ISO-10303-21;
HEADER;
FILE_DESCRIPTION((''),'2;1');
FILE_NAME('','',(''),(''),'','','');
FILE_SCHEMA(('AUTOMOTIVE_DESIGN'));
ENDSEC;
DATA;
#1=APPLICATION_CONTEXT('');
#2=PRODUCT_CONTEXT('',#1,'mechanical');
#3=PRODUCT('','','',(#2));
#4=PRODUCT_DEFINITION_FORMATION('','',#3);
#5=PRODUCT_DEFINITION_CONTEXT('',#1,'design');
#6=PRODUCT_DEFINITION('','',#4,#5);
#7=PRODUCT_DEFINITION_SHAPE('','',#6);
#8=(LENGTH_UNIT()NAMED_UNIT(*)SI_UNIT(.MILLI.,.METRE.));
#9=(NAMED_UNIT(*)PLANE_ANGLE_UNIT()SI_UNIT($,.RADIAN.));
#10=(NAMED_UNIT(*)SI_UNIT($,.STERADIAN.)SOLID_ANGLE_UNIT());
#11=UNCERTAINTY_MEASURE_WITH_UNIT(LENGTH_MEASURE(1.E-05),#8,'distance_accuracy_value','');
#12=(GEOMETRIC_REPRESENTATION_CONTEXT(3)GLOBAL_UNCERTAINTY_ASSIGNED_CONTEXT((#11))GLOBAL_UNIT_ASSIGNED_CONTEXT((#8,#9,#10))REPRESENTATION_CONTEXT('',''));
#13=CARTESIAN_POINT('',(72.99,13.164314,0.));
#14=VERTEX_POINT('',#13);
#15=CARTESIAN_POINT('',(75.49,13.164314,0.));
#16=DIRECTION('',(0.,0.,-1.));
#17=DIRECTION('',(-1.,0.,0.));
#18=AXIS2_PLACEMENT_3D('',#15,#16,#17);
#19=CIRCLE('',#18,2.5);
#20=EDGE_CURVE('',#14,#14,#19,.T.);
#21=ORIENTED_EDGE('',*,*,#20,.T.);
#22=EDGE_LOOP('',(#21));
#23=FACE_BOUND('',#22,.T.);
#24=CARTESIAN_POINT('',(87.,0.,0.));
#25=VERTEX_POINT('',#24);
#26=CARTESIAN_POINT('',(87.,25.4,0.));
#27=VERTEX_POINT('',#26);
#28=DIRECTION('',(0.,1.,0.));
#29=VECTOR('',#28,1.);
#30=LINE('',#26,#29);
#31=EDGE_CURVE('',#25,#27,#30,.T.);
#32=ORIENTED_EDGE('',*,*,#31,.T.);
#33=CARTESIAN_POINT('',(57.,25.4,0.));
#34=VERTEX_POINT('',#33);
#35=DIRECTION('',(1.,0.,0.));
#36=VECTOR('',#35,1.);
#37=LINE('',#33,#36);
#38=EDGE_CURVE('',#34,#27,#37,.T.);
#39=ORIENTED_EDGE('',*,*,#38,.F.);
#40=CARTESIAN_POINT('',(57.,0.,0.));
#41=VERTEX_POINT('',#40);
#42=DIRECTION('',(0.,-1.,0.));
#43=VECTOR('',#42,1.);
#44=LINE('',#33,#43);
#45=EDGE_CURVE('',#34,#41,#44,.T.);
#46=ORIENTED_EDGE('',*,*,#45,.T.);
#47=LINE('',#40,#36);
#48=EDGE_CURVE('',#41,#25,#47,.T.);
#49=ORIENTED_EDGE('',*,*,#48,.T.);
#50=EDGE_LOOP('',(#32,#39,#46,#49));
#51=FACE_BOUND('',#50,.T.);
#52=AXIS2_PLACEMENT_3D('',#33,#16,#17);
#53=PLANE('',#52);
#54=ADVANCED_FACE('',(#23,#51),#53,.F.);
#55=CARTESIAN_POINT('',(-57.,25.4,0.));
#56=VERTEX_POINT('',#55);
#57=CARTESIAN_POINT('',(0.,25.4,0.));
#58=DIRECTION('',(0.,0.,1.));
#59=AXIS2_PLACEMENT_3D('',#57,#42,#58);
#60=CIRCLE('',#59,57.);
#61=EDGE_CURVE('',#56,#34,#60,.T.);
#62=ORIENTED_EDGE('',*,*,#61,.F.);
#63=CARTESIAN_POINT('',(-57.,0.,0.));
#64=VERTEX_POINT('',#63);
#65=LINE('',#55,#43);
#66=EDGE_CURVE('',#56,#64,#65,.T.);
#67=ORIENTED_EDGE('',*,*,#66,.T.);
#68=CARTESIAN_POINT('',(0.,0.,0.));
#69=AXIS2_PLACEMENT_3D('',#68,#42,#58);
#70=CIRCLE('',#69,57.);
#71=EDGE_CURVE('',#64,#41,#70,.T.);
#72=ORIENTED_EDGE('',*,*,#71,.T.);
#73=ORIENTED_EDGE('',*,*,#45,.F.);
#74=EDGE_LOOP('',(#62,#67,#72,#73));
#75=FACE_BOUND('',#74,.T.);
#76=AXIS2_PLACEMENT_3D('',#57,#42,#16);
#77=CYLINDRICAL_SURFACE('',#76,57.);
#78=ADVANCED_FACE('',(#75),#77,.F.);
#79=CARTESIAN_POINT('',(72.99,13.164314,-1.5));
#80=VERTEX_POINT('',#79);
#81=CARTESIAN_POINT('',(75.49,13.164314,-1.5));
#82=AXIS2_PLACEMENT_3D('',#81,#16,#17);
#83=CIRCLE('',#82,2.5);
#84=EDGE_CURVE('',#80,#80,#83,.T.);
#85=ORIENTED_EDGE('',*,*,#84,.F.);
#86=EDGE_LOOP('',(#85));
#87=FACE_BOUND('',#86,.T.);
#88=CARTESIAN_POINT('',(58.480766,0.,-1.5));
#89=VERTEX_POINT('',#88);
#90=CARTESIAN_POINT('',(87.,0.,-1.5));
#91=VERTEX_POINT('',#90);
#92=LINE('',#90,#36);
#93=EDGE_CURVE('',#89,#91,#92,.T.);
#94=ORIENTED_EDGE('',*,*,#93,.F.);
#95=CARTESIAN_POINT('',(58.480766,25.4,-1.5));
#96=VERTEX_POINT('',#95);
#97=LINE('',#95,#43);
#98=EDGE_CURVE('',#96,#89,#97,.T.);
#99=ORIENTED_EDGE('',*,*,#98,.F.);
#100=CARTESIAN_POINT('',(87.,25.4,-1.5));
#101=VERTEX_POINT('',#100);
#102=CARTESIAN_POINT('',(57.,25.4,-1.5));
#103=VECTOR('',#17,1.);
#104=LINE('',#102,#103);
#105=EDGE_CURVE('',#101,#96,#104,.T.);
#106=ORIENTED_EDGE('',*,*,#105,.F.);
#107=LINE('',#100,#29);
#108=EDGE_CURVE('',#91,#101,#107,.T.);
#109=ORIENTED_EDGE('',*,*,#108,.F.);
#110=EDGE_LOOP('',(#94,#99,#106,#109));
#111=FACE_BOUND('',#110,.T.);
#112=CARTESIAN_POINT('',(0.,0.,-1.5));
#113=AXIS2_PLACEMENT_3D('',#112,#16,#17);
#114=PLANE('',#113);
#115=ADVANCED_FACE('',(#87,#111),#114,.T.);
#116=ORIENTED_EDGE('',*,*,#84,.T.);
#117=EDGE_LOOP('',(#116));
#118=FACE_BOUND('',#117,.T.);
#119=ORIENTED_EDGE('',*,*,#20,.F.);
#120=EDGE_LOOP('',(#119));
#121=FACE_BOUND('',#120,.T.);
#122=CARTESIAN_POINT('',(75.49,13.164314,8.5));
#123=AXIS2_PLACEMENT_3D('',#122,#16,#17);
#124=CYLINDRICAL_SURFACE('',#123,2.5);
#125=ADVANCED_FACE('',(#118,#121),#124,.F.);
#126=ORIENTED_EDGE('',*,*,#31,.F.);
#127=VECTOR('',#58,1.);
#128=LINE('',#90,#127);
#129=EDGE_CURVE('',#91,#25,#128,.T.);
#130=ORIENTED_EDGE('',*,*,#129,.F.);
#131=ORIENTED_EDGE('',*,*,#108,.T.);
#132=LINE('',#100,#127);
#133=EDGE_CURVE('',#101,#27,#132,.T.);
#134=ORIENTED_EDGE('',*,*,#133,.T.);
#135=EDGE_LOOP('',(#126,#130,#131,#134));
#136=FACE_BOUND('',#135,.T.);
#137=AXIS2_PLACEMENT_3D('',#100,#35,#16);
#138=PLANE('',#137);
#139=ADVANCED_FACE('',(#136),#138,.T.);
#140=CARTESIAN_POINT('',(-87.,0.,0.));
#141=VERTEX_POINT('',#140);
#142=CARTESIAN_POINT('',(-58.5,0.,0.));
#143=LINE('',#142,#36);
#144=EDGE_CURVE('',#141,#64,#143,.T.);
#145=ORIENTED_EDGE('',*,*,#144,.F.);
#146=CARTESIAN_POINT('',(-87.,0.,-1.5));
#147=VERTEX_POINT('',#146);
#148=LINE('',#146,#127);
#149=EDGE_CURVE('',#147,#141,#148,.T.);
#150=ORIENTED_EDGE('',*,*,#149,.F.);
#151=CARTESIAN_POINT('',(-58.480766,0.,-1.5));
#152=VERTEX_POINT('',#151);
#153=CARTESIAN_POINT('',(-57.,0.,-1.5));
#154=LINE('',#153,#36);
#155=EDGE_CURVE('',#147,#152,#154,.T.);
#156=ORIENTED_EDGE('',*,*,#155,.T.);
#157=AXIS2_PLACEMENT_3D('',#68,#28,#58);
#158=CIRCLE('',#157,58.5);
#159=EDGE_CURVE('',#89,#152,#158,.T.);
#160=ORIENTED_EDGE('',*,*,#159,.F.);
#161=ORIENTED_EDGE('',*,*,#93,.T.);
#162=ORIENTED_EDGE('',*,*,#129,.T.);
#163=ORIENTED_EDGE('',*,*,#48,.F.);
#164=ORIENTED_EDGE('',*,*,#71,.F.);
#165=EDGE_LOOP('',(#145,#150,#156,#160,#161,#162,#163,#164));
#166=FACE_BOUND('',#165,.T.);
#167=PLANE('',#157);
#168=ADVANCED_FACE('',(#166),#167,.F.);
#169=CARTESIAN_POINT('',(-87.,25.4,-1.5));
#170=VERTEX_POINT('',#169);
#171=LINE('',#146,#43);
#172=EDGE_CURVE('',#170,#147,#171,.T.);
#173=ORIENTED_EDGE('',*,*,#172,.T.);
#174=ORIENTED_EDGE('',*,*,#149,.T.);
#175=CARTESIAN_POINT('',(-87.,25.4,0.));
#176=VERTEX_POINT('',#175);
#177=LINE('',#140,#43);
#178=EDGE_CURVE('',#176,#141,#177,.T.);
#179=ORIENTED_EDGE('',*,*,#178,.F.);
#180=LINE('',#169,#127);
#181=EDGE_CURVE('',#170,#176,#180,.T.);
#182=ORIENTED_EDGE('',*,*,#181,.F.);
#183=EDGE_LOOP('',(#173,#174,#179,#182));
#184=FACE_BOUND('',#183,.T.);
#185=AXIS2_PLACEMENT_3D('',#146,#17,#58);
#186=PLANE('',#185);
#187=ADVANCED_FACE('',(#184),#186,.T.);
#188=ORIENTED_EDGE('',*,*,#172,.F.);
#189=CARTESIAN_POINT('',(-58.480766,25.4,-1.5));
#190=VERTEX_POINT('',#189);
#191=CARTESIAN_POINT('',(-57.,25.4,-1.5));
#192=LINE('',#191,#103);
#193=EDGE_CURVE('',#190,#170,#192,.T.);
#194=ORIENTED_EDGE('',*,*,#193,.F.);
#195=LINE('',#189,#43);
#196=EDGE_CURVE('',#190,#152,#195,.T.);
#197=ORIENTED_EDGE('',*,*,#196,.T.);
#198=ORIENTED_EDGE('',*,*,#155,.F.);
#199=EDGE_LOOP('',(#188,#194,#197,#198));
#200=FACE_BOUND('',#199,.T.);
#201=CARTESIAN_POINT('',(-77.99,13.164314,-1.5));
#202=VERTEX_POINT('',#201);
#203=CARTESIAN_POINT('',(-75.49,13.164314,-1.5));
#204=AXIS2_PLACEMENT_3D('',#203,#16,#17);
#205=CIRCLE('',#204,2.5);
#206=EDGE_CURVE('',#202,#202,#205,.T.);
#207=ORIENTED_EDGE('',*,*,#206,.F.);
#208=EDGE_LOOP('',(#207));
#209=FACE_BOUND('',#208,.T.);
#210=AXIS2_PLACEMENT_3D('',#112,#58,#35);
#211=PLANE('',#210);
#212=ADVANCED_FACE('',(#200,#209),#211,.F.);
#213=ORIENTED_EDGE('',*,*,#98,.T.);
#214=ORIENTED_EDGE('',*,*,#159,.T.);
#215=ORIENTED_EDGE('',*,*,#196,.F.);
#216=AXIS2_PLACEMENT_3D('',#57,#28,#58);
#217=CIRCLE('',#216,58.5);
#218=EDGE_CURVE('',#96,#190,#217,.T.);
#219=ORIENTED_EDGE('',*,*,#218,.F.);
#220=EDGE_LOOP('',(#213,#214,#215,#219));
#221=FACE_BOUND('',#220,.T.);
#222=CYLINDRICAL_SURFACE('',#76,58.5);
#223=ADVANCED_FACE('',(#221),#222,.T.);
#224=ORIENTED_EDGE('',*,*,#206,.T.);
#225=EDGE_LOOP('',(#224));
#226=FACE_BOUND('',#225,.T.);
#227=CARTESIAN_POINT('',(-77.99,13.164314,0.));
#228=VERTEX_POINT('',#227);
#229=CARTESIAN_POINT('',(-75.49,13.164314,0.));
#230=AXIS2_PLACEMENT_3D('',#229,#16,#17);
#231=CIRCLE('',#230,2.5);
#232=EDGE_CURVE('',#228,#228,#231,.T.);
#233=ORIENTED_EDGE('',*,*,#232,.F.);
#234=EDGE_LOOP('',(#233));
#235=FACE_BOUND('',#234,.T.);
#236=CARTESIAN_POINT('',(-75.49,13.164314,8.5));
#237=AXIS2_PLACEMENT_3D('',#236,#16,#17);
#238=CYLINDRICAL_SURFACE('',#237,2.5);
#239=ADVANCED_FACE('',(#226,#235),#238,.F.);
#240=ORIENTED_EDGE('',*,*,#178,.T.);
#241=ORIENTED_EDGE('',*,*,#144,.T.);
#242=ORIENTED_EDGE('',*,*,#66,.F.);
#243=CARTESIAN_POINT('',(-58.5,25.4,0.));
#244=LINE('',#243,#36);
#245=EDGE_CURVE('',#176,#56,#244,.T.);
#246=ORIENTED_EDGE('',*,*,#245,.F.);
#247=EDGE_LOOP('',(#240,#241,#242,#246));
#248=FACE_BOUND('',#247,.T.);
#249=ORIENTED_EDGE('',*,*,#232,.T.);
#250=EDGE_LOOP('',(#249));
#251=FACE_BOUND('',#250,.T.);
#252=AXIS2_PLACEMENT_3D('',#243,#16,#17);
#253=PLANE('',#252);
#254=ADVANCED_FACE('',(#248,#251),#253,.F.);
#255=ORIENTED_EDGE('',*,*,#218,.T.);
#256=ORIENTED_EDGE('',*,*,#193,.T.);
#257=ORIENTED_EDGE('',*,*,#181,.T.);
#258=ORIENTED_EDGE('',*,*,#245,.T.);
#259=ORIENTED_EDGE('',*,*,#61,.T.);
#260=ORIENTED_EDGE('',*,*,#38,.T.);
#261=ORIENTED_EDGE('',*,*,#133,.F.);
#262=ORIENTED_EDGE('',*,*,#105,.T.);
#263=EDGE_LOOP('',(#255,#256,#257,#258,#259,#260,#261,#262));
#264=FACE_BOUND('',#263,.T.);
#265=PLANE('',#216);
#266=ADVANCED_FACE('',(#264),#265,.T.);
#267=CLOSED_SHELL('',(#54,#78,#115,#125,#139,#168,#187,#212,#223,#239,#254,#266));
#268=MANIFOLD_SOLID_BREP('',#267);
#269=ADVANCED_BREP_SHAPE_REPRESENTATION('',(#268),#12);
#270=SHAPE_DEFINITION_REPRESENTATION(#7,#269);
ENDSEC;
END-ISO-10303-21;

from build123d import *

# Parameters (mm, degrees)
SALIENTE_EXTRUIR1_DEPTH = 25.4
CROQUIS2_W              = 30
CROQUIS2_H              = 25.4
SALIENTE_EXTRUIR2_DEPTH = 1.5
CROQUIS4_R              = 2.5
CORTAR_EXTRUIR1_DEPTH   = 10


with BuildPart() as part:
    # Croquis1 → Saliente-Extruir1 (new body)
    with BuildSketch(Plane(origin=(0, 0, 0), x_dir=(1, 0, 0), z_dir=(0, 1, 0))):
        with BuildLine():
            Line((-58.5, 0), (-57, 0))
            ThreePointArc((-57, 0), (0, 57), (57, 0))
            Line((57, 0), (58.5, 0))
            ThreePointArc((58.5, 0), (0, 58.5), (-58.5, 0))
        make_face()
    extrude(amount=SALIENTE_EXTRUIR1_DEPTH)

    # Croquis2 → Saliente-Extruir2 (add)
    with BuildSketch(Plane.XY):
        with Locations((72, 12.7)):
            Rectangle(CROQUIS2_W, CROQUIS2_H)
        with Locations((-72, 12.7)):
            Rectangle(CROQUIS2_W, CROQUIS2_H)
    extrude(amount=-SALIENTE_EXTRUIR2_DEPTH)

    # Croquis4 → Cortar-Extruir1 (cut)
    with BuildSketch(Plane(origin=(0, 0, -1.5), x_dir=(-1, 0, 0), z_dir=(0, 0, -1))):
        with Locations((75.49, 13.164314045)):
            Circle(CROQUIS4_R)
        with Locations((-75.49, 13.164314045)):
            Circle(CROQUIS4_R)
    extrude(amount=-CORTAR_EXTRUIR1_DEPTH, mode=Mode.SUBTRACT)


solid = part.part
